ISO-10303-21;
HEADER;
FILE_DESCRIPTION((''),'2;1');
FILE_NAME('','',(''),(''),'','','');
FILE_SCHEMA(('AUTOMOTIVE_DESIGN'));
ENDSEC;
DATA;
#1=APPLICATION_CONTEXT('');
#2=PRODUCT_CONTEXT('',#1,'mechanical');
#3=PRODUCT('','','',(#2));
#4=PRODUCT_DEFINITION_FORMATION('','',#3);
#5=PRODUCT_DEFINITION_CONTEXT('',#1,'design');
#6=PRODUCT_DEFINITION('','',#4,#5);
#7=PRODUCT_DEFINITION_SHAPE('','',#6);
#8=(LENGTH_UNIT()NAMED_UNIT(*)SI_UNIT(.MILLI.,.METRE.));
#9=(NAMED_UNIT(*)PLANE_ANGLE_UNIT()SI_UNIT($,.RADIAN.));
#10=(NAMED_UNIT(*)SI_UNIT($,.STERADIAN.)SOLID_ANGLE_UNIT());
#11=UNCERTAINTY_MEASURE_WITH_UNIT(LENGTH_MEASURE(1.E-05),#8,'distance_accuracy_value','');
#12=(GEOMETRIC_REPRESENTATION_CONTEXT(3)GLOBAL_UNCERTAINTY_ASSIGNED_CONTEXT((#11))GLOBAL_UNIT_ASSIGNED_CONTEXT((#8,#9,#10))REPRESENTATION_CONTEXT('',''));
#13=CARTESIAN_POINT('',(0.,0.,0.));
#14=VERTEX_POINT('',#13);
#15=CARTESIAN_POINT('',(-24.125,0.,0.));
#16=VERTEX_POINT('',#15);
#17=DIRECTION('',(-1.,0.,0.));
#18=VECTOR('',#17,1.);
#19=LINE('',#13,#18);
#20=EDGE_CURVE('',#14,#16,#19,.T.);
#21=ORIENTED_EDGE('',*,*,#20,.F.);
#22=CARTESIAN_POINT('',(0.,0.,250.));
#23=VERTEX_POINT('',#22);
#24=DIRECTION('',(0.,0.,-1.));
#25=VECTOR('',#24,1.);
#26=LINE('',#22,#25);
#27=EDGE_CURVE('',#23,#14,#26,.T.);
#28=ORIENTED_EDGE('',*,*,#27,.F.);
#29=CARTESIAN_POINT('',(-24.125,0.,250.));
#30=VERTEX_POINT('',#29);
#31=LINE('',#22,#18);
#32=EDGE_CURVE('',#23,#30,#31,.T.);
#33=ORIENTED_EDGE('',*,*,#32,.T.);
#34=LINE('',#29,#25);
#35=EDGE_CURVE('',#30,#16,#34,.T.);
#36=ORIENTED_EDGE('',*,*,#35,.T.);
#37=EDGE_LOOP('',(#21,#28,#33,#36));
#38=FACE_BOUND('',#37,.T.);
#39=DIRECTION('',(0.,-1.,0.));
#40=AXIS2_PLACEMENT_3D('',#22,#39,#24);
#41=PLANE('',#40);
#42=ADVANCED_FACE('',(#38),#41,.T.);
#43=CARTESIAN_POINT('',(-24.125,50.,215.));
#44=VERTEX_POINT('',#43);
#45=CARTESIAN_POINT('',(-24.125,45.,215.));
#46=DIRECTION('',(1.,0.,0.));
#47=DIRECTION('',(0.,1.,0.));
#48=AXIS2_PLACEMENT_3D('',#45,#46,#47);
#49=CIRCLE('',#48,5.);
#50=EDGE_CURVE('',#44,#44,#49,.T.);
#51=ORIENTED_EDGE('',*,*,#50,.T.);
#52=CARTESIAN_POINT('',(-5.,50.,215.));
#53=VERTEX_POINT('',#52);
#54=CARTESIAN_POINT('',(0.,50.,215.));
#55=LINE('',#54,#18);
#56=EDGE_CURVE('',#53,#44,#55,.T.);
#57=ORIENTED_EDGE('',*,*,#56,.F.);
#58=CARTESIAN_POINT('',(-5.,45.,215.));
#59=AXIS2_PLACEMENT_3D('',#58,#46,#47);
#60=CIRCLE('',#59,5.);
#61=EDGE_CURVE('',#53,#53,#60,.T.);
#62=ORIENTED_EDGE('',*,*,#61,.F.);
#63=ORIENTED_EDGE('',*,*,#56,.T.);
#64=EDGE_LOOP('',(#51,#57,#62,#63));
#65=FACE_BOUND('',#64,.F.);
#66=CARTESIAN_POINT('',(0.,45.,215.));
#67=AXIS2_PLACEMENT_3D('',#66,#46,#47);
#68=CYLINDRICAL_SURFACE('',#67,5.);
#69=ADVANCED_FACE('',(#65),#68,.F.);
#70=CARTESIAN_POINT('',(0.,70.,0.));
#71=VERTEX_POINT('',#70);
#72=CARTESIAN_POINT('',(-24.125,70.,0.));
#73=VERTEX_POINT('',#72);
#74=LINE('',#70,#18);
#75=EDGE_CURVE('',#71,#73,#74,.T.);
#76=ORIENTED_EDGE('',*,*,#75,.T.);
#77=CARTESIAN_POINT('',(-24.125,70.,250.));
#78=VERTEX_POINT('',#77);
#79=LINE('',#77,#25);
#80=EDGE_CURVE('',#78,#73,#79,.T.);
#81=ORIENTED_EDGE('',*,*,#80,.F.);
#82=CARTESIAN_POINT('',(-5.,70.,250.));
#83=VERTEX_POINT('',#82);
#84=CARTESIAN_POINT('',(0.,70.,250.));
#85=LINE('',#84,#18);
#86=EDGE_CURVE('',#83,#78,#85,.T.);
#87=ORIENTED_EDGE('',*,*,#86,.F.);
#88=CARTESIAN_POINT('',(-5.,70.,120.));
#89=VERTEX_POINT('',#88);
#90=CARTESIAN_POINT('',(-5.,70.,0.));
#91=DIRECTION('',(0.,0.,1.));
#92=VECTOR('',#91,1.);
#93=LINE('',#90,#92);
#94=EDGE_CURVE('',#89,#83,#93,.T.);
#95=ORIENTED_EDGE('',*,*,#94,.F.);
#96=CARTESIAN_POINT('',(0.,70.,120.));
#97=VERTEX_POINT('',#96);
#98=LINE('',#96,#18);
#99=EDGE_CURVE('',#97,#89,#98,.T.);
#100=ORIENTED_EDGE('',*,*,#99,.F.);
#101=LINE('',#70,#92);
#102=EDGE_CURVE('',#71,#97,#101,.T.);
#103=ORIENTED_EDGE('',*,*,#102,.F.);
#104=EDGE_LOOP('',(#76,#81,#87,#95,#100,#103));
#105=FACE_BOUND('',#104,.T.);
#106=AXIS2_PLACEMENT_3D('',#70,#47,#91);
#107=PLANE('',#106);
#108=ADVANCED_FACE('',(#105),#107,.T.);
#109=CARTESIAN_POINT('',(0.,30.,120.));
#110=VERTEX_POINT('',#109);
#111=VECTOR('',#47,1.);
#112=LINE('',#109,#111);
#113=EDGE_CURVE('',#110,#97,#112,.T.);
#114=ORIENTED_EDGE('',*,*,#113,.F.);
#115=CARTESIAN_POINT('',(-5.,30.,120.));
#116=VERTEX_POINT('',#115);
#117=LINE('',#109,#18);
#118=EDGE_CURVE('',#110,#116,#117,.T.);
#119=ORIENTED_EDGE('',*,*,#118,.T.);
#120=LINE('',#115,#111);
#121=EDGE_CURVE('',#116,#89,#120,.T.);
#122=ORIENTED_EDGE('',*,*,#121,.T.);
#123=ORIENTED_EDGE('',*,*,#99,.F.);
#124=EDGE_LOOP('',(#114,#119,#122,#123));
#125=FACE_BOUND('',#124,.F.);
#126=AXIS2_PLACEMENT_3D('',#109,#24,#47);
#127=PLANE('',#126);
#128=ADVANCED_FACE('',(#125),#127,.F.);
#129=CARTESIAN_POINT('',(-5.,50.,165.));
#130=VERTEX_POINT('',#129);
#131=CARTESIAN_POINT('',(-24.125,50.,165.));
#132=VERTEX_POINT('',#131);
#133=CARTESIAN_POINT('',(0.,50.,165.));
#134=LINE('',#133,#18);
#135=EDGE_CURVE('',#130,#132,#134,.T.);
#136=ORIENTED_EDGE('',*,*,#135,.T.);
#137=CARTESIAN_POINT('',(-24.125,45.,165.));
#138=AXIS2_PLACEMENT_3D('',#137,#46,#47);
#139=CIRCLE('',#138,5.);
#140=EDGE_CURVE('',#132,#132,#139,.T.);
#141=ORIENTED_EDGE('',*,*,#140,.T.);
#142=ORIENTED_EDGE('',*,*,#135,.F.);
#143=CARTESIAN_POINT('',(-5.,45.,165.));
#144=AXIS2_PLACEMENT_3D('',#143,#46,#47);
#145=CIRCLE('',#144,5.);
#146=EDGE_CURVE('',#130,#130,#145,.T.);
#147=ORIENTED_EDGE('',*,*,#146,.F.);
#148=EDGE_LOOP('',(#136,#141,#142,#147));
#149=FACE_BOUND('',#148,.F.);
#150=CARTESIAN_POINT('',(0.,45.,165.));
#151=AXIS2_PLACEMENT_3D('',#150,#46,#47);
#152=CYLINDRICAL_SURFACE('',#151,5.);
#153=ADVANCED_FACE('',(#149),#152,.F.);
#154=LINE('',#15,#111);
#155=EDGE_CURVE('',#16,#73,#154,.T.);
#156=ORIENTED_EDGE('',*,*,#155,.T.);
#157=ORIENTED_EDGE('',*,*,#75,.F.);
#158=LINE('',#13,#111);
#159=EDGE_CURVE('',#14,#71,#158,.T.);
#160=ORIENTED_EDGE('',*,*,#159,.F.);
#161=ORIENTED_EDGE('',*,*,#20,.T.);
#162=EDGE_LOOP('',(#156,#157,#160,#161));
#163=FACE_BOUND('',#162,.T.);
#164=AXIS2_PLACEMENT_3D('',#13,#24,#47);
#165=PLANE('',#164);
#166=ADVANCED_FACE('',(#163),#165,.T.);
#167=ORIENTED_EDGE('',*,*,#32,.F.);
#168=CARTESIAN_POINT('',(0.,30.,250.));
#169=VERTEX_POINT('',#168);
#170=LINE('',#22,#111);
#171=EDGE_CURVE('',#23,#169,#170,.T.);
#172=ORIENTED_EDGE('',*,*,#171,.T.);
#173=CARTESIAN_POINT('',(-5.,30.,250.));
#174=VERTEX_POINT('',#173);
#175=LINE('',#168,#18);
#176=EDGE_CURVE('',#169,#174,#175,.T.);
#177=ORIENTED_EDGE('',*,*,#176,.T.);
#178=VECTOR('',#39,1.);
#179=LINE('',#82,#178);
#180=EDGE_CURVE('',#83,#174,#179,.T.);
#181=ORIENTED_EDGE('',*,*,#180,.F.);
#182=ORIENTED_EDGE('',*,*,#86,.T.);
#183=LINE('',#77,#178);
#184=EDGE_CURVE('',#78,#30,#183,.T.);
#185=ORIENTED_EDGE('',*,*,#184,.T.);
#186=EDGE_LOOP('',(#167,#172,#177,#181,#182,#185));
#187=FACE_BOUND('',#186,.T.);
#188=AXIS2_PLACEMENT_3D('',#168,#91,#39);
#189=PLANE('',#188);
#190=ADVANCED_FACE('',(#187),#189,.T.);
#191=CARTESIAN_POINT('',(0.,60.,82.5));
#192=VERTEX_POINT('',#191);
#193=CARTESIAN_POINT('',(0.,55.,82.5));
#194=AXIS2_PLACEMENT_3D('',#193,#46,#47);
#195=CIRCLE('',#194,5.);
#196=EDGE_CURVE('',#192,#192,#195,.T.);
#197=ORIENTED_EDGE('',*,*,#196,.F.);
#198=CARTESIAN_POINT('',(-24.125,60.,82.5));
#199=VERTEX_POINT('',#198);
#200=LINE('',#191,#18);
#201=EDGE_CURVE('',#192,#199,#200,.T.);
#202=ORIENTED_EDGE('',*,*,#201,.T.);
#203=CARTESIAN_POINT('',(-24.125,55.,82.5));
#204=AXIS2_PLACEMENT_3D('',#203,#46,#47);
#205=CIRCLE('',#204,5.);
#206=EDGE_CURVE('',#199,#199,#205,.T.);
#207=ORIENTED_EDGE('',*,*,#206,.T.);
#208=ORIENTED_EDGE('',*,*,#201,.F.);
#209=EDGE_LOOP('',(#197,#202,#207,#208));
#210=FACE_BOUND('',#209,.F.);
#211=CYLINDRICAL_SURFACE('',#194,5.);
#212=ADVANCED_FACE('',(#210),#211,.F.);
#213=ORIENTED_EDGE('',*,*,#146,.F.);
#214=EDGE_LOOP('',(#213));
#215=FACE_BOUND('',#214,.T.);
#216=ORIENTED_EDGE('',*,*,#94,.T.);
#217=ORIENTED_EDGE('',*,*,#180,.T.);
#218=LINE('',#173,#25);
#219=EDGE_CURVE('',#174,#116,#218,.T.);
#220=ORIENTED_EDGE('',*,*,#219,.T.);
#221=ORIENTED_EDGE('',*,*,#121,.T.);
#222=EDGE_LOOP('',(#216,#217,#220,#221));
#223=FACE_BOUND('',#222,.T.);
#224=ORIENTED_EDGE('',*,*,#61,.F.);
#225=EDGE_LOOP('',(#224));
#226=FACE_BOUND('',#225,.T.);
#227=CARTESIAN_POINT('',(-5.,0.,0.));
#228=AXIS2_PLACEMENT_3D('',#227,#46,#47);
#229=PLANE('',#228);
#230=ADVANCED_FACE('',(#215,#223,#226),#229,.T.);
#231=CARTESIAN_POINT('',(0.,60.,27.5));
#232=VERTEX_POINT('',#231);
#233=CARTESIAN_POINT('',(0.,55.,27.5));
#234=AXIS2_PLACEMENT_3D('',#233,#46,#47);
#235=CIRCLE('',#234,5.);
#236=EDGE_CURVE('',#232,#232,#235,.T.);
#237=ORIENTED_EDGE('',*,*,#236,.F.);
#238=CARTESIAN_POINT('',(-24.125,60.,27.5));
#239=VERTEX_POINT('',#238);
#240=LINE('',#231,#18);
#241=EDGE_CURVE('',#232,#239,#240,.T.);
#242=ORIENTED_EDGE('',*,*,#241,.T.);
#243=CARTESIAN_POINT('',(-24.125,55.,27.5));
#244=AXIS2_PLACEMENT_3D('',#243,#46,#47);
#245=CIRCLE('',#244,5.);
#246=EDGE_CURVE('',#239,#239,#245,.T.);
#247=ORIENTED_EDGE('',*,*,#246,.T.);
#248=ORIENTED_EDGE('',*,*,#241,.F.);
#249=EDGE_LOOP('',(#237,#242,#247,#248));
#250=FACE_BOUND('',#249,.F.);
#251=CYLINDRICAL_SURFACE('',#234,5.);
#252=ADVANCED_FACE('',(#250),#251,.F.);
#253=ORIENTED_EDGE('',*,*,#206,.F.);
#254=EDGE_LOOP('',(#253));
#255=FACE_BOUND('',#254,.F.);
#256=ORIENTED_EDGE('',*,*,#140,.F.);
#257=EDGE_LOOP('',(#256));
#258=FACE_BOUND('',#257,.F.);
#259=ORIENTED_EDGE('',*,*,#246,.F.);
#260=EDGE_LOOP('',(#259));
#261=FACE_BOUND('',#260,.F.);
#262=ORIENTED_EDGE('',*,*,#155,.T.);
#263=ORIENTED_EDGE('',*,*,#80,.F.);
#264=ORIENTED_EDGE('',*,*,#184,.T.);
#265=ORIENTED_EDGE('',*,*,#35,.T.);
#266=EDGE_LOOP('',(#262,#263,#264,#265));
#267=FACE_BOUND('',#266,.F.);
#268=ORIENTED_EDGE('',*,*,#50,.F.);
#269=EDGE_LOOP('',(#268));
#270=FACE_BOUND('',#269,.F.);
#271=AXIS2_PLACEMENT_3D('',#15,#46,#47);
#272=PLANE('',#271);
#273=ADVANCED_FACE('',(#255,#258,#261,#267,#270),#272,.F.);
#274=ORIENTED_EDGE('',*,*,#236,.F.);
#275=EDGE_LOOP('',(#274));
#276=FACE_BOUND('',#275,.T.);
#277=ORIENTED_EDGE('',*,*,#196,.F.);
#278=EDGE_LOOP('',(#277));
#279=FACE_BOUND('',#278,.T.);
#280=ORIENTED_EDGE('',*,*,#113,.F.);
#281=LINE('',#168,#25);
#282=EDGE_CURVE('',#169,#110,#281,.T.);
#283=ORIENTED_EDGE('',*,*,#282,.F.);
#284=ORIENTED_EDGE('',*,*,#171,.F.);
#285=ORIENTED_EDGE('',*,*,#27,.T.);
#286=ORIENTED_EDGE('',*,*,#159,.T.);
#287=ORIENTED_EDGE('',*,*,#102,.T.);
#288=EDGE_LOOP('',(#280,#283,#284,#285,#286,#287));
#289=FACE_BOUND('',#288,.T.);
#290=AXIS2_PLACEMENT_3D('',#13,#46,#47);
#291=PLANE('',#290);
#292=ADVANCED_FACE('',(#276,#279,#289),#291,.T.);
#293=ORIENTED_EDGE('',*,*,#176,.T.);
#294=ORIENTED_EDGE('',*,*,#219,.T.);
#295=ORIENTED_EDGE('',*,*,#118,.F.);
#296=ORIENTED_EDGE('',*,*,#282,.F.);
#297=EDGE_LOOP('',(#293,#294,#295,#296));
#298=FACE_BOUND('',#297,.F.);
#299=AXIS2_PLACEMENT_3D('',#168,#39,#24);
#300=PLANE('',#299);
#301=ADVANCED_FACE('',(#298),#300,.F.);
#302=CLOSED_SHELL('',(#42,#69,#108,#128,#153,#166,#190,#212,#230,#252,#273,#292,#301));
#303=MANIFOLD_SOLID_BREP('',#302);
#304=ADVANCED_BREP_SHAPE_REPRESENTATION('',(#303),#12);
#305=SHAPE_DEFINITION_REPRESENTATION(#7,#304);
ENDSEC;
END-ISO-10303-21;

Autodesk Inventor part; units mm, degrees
ref_plane "YZ Plane" through (0, 0, 0) normal (1, 0, 0) x (0, 1, 0)
ref_plane "XZ Plane" through (0, 0, 0) normal (0, 1, 0) x (-1, 0, 0)
ref_plane "XY Plane" through (0, 0, 0) normal (0, 0, 1) x (1, 0, 0)
sketch "Sketch1" plane through (0, 0, 0) normal (1, 0, 0) x (0, 1, 0)
  line L0 (0, 0) -> (70, 0)
  line L1 (70, 0) -> (70, 250)
  line L2 (70, 250) -> (0, 250)
  line L3 (0, 250) -> (0, 0)
  line L4 (70, 250) -> (30, 250)
  line L5 (30, 250) -> (30, 120)
  line L6 (30, 120) -> (70, 120)
  line L7 (70, 120) -> (70, 250)
  circle A0 centre (45, 215) radius 5
  circle A1 centre (45, 165) radius 5
  circle A2 centre (55, 82.5) radius 5
  circle A3 centre (55, 27.5) radius 5
  dimension "d0" = 70
  dimension "d1" = 250
  dimension "d2" = 50
  dimension "d3" = 10
  dimension "d4" = 25
  dimension "d5" = 130
  dimension "d6" = 40
  dimension "d7" = 35
  dimension "d12" = 10
  dimension "d13" = 15
  dimension "d14" = 55
  dimension "d15" = 27.5
extrude "Extrusion1" add sketch "Sketch1" against normal blind 24.125 contours L3 L2 L5 L6 L1 L0 | L6 L5 L2 L1 | A2 | A3
extrude "Extrusion2" cut sketch "Sketch1" against normal blind 5 contours L6 L5 L2 L1
extrude "Extrusion3" cut sketch "Sketch1" against normal through all contours A2 | A3
properties part number "bodybottompart"
